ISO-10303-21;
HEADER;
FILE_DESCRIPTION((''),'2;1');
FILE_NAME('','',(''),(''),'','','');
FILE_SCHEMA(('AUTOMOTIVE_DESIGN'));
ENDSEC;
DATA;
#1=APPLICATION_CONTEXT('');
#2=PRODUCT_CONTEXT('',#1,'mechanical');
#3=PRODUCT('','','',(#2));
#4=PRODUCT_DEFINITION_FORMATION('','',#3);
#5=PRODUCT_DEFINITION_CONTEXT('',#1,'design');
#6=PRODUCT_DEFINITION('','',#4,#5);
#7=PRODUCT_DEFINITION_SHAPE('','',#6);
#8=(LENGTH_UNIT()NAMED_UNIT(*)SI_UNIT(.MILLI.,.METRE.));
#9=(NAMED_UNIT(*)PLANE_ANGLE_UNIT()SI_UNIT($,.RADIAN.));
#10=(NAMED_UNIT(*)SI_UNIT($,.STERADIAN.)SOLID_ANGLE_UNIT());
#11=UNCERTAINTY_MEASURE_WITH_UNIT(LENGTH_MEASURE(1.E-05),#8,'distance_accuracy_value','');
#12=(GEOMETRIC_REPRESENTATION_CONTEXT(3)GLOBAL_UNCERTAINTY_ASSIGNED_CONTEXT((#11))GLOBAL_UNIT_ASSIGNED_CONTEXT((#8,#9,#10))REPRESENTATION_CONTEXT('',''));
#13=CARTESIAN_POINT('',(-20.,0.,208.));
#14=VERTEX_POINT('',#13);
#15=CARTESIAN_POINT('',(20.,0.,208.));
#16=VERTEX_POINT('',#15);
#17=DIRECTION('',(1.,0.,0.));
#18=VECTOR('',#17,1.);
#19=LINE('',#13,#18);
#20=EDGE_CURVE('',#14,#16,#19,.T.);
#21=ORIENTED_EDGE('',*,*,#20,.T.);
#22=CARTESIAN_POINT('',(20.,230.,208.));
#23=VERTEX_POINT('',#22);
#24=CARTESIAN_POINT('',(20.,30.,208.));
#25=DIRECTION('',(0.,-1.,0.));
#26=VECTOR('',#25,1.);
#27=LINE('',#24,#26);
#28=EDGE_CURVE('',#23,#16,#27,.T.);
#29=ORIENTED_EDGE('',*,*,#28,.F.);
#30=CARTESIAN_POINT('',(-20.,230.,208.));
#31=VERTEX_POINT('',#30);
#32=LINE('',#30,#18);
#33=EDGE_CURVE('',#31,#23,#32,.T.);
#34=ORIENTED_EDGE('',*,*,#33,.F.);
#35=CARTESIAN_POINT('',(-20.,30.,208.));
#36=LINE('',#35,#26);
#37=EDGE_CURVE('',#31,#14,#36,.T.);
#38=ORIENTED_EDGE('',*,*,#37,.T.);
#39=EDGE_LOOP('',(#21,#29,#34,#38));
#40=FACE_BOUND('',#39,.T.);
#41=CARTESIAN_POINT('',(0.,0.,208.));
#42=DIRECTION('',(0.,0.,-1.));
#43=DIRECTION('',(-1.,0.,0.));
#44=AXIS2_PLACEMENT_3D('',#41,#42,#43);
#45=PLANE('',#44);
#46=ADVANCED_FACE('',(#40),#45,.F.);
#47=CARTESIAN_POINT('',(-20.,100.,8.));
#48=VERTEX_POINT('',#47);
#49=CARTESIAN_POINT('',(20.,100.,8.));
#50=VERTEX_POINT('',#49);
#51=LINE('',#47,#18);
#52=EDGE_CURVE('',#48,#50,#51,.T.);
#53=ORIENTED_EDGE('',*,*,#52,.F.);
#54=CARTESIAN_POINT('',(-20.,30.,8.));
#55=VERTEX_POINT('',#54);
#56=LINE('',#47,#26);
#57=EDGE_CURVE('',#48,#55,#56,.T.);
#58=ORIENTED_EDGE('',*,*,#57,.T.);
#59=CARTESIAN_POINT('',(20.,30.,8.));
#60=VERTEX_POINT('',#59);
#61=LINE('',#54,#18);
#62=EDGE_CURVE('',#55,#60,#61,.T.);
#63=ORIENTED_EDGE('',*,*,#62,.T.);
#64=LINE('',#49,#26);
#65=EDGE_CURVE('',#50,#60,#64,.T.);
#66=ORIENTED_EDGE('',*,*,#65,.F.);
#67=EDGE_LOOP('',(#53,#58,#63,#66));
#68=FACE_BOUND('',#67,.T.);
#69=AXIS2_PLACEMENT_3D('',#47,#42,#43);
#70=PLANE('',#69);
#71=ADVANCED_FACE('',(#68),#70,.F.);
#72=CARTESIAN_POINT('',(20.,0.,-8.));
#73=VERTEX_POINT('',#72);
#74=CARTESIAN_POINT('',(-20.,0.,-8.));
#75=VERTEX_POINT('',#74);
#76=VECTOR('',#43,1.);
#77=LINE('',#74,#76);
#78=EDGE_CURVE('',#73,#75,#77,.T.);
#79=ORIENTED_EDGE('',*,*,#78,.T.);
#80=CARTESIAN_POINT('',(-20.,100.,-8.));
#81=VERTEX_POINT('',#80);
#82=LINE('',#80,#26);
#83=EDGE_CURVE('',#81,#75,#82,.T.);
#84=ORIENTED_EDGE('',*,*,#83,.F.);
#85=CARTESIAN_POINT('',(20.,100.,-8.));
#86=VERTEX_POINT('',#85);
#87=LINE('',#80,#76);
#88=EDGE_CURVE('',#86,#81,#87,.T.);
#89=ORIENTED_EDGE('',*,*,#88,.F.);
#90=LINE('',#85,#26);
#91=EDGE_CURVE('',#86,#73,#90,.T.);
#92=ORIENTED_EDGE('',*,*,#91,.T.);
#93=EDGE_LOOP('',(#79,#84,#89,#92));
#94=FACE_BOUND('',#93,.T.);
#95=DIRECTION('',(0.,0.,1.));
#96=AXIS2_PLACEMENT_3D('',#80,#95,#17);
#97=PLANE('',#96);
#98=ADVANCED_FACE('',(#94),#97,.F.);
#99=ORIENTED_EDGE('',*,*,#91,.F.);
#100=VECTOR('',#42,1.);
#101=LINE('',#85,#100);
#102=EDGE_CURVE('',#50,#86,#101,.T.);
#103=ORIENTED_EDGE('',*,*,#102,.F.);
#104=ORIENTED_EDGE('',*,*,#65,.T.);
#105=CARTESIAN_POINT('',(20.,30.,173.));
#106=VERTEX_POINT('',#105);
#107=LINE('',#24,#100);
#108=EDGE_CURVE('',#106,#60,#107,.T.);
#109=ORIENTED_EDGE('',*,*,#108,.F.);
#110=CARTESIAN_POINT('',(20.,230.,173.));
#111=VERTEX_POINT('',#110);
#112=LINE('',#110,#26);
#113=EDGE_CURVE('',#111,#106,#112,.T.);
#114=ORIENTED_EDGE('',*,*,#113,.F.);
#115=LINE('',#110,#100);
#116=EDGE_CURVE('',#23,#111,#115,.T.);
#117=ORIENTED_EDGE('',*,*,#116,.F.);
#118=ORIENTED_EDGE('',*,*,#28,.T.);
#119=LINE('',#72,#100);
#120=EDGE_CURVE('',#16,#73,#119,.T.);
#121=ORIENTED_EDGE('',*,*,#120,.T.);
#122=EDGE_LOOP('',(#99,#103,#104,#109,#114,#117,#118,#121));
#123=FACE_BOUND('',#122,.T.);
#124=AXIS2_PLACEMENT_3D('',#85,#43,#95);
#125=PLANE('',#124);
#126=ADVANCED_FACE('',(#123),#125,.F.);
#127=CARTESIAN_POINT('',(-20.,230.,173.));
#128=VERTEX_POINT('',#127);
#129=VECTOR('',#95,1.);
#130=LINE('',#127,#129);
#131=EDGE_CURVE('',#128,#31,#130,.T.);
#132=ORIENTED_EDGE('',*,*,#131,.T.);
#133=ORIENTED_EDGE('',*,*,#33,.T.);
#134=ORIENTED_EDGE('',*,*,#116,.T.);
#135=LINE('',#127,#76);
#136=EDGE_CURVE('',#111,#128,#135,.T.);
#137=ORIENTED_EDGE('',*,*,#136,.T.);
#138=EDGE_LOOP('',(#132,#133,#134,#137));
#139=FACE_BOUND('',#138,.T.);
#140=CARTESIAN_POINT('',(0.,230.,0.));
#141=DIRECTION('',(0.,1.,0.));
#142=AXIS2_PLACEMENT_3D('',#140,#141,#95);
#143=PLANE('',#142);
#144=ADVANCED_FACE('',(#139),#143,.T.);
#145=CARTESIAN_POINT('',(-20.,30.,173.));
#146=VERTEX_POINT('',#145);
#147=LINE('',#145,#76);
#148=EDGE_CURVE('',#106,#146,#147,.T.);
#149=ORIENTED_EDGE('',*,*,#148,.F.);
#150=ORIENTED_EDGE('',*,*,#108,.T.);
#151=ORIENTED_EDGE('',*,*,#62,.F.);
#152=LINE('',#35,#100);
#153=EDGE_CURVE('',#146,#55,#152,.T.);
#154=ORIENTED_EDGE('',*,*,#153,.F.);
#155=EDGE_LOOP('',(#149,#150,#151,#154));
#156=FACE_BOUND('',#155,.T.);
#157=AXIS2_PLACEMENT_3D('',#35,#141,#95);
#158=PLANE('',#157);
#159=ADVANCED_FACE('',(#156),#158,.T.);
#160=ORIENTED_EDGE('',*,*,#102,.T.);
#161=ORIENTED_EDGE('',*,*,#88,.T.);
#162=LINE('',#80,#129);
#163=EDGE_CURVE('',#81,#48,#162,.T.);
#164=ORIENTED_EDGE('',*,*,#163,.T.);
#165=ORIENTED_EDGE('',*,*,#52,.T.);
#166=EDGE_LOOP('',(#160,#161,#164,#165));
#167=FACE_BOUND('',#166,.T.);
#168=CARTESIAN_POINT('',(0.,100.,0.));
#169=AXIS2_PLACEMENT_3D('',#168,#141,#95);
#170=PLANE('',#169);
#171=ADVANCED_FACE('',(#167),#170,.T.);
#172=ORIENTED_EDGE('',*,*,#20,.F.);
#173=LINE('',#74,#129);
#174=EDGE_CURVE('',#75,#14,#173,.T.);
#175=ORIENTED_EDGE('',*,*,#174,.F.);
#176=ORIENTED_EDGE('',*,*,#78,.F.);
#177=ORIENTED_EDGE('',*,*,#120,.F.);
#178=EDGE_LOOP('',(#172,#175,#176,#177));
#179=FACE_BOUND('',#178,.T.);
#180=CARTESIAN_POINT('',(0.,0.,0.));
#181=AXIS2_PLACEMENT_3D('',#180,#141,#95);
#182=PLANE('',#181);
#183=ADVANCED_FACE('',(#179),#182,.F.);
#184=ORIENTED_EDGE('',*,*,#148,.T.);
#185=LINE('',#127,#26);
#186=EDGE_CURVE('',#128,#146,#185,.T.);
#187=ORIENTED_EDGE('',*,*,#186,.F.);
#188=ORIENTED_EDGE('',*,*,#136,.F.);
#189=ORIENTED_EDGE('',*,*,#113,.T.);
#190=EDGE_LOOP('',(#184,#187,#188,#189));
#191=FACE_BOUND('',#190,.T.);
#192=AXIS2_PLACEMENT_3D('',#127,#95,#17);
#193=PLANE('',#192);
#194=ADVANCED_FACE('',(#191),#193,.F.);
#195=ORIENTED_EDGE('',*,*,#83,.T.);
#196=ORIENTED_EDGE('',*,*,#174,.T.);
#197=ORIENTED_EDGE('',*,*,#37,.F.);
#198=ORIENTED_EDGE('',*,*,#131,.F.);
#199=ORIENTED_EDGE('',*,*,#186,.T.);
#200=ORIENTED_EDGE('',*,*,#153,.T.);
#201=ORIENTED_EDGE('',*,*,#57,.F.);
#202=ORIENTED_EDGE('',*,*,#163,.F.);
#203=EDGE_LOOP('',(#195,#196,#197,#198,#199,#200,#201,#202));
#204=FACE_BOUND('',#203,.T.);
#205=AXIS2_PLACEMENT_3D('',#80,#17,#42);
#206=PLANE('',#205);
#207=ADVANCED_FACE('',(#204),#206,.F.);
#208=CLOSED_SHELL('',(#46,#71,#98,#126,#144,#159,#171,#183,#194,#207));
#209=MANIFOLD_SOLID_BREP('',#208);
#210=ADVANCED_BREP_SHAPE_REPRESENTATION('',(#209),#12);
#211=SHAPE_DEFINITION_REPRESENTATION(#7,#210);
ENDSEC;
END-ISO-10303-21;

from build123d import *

# Parameters (mm, degrees)
SKETCH_1_W      = 40
SKETCH_1_H      = 16
EXTRUDE_1_DEPTH = 100
SKETCH_2_W      = 40
SKETCH_2_H      = 30
EXTRUDE_2_DEPTH = 200
SKETCH_3_W      = 40
SKETCH_3_H      = 35
EXTRUDE_3_DEPTH = 200


with BuildPart() as part:
    # 草图1 → 凸台-拉伸1 (new body)
    with BuildSketch(Plane(origin=(0, 0, 0), x_dir=(1, 0, 0), z_dir=(0, 1, 0))):
        Rectangle(SKETCH_1_W, SKETCH_1_H)
    extrude(amount=EXTRUDE_1_DEPTH)

    # 草图2 → 凸台-拉伸2 (add)
    with BuildSketch(Plane.XY.offset(8)):
        with Locations((0, 15)):
            Rectangle(SKETCH_2_W, SKETCH_2_H)
    extrude(amount=EXTRUDE_2_DEPTH)

    # 草图3 → 凸台-拉伸3 (add)
    with BuildSketch(Plane(origin=(0, 30, 0), x_dir=(1, 0, 0), z_dir=(0, 1, 0))):
        with Locations((0, -190.5)):
            Rectangle(SKETCH_3_W, SKETCH_3_H)
    extrude(amount=EXTRUDE_3_DEPTH)


solid = part.part
